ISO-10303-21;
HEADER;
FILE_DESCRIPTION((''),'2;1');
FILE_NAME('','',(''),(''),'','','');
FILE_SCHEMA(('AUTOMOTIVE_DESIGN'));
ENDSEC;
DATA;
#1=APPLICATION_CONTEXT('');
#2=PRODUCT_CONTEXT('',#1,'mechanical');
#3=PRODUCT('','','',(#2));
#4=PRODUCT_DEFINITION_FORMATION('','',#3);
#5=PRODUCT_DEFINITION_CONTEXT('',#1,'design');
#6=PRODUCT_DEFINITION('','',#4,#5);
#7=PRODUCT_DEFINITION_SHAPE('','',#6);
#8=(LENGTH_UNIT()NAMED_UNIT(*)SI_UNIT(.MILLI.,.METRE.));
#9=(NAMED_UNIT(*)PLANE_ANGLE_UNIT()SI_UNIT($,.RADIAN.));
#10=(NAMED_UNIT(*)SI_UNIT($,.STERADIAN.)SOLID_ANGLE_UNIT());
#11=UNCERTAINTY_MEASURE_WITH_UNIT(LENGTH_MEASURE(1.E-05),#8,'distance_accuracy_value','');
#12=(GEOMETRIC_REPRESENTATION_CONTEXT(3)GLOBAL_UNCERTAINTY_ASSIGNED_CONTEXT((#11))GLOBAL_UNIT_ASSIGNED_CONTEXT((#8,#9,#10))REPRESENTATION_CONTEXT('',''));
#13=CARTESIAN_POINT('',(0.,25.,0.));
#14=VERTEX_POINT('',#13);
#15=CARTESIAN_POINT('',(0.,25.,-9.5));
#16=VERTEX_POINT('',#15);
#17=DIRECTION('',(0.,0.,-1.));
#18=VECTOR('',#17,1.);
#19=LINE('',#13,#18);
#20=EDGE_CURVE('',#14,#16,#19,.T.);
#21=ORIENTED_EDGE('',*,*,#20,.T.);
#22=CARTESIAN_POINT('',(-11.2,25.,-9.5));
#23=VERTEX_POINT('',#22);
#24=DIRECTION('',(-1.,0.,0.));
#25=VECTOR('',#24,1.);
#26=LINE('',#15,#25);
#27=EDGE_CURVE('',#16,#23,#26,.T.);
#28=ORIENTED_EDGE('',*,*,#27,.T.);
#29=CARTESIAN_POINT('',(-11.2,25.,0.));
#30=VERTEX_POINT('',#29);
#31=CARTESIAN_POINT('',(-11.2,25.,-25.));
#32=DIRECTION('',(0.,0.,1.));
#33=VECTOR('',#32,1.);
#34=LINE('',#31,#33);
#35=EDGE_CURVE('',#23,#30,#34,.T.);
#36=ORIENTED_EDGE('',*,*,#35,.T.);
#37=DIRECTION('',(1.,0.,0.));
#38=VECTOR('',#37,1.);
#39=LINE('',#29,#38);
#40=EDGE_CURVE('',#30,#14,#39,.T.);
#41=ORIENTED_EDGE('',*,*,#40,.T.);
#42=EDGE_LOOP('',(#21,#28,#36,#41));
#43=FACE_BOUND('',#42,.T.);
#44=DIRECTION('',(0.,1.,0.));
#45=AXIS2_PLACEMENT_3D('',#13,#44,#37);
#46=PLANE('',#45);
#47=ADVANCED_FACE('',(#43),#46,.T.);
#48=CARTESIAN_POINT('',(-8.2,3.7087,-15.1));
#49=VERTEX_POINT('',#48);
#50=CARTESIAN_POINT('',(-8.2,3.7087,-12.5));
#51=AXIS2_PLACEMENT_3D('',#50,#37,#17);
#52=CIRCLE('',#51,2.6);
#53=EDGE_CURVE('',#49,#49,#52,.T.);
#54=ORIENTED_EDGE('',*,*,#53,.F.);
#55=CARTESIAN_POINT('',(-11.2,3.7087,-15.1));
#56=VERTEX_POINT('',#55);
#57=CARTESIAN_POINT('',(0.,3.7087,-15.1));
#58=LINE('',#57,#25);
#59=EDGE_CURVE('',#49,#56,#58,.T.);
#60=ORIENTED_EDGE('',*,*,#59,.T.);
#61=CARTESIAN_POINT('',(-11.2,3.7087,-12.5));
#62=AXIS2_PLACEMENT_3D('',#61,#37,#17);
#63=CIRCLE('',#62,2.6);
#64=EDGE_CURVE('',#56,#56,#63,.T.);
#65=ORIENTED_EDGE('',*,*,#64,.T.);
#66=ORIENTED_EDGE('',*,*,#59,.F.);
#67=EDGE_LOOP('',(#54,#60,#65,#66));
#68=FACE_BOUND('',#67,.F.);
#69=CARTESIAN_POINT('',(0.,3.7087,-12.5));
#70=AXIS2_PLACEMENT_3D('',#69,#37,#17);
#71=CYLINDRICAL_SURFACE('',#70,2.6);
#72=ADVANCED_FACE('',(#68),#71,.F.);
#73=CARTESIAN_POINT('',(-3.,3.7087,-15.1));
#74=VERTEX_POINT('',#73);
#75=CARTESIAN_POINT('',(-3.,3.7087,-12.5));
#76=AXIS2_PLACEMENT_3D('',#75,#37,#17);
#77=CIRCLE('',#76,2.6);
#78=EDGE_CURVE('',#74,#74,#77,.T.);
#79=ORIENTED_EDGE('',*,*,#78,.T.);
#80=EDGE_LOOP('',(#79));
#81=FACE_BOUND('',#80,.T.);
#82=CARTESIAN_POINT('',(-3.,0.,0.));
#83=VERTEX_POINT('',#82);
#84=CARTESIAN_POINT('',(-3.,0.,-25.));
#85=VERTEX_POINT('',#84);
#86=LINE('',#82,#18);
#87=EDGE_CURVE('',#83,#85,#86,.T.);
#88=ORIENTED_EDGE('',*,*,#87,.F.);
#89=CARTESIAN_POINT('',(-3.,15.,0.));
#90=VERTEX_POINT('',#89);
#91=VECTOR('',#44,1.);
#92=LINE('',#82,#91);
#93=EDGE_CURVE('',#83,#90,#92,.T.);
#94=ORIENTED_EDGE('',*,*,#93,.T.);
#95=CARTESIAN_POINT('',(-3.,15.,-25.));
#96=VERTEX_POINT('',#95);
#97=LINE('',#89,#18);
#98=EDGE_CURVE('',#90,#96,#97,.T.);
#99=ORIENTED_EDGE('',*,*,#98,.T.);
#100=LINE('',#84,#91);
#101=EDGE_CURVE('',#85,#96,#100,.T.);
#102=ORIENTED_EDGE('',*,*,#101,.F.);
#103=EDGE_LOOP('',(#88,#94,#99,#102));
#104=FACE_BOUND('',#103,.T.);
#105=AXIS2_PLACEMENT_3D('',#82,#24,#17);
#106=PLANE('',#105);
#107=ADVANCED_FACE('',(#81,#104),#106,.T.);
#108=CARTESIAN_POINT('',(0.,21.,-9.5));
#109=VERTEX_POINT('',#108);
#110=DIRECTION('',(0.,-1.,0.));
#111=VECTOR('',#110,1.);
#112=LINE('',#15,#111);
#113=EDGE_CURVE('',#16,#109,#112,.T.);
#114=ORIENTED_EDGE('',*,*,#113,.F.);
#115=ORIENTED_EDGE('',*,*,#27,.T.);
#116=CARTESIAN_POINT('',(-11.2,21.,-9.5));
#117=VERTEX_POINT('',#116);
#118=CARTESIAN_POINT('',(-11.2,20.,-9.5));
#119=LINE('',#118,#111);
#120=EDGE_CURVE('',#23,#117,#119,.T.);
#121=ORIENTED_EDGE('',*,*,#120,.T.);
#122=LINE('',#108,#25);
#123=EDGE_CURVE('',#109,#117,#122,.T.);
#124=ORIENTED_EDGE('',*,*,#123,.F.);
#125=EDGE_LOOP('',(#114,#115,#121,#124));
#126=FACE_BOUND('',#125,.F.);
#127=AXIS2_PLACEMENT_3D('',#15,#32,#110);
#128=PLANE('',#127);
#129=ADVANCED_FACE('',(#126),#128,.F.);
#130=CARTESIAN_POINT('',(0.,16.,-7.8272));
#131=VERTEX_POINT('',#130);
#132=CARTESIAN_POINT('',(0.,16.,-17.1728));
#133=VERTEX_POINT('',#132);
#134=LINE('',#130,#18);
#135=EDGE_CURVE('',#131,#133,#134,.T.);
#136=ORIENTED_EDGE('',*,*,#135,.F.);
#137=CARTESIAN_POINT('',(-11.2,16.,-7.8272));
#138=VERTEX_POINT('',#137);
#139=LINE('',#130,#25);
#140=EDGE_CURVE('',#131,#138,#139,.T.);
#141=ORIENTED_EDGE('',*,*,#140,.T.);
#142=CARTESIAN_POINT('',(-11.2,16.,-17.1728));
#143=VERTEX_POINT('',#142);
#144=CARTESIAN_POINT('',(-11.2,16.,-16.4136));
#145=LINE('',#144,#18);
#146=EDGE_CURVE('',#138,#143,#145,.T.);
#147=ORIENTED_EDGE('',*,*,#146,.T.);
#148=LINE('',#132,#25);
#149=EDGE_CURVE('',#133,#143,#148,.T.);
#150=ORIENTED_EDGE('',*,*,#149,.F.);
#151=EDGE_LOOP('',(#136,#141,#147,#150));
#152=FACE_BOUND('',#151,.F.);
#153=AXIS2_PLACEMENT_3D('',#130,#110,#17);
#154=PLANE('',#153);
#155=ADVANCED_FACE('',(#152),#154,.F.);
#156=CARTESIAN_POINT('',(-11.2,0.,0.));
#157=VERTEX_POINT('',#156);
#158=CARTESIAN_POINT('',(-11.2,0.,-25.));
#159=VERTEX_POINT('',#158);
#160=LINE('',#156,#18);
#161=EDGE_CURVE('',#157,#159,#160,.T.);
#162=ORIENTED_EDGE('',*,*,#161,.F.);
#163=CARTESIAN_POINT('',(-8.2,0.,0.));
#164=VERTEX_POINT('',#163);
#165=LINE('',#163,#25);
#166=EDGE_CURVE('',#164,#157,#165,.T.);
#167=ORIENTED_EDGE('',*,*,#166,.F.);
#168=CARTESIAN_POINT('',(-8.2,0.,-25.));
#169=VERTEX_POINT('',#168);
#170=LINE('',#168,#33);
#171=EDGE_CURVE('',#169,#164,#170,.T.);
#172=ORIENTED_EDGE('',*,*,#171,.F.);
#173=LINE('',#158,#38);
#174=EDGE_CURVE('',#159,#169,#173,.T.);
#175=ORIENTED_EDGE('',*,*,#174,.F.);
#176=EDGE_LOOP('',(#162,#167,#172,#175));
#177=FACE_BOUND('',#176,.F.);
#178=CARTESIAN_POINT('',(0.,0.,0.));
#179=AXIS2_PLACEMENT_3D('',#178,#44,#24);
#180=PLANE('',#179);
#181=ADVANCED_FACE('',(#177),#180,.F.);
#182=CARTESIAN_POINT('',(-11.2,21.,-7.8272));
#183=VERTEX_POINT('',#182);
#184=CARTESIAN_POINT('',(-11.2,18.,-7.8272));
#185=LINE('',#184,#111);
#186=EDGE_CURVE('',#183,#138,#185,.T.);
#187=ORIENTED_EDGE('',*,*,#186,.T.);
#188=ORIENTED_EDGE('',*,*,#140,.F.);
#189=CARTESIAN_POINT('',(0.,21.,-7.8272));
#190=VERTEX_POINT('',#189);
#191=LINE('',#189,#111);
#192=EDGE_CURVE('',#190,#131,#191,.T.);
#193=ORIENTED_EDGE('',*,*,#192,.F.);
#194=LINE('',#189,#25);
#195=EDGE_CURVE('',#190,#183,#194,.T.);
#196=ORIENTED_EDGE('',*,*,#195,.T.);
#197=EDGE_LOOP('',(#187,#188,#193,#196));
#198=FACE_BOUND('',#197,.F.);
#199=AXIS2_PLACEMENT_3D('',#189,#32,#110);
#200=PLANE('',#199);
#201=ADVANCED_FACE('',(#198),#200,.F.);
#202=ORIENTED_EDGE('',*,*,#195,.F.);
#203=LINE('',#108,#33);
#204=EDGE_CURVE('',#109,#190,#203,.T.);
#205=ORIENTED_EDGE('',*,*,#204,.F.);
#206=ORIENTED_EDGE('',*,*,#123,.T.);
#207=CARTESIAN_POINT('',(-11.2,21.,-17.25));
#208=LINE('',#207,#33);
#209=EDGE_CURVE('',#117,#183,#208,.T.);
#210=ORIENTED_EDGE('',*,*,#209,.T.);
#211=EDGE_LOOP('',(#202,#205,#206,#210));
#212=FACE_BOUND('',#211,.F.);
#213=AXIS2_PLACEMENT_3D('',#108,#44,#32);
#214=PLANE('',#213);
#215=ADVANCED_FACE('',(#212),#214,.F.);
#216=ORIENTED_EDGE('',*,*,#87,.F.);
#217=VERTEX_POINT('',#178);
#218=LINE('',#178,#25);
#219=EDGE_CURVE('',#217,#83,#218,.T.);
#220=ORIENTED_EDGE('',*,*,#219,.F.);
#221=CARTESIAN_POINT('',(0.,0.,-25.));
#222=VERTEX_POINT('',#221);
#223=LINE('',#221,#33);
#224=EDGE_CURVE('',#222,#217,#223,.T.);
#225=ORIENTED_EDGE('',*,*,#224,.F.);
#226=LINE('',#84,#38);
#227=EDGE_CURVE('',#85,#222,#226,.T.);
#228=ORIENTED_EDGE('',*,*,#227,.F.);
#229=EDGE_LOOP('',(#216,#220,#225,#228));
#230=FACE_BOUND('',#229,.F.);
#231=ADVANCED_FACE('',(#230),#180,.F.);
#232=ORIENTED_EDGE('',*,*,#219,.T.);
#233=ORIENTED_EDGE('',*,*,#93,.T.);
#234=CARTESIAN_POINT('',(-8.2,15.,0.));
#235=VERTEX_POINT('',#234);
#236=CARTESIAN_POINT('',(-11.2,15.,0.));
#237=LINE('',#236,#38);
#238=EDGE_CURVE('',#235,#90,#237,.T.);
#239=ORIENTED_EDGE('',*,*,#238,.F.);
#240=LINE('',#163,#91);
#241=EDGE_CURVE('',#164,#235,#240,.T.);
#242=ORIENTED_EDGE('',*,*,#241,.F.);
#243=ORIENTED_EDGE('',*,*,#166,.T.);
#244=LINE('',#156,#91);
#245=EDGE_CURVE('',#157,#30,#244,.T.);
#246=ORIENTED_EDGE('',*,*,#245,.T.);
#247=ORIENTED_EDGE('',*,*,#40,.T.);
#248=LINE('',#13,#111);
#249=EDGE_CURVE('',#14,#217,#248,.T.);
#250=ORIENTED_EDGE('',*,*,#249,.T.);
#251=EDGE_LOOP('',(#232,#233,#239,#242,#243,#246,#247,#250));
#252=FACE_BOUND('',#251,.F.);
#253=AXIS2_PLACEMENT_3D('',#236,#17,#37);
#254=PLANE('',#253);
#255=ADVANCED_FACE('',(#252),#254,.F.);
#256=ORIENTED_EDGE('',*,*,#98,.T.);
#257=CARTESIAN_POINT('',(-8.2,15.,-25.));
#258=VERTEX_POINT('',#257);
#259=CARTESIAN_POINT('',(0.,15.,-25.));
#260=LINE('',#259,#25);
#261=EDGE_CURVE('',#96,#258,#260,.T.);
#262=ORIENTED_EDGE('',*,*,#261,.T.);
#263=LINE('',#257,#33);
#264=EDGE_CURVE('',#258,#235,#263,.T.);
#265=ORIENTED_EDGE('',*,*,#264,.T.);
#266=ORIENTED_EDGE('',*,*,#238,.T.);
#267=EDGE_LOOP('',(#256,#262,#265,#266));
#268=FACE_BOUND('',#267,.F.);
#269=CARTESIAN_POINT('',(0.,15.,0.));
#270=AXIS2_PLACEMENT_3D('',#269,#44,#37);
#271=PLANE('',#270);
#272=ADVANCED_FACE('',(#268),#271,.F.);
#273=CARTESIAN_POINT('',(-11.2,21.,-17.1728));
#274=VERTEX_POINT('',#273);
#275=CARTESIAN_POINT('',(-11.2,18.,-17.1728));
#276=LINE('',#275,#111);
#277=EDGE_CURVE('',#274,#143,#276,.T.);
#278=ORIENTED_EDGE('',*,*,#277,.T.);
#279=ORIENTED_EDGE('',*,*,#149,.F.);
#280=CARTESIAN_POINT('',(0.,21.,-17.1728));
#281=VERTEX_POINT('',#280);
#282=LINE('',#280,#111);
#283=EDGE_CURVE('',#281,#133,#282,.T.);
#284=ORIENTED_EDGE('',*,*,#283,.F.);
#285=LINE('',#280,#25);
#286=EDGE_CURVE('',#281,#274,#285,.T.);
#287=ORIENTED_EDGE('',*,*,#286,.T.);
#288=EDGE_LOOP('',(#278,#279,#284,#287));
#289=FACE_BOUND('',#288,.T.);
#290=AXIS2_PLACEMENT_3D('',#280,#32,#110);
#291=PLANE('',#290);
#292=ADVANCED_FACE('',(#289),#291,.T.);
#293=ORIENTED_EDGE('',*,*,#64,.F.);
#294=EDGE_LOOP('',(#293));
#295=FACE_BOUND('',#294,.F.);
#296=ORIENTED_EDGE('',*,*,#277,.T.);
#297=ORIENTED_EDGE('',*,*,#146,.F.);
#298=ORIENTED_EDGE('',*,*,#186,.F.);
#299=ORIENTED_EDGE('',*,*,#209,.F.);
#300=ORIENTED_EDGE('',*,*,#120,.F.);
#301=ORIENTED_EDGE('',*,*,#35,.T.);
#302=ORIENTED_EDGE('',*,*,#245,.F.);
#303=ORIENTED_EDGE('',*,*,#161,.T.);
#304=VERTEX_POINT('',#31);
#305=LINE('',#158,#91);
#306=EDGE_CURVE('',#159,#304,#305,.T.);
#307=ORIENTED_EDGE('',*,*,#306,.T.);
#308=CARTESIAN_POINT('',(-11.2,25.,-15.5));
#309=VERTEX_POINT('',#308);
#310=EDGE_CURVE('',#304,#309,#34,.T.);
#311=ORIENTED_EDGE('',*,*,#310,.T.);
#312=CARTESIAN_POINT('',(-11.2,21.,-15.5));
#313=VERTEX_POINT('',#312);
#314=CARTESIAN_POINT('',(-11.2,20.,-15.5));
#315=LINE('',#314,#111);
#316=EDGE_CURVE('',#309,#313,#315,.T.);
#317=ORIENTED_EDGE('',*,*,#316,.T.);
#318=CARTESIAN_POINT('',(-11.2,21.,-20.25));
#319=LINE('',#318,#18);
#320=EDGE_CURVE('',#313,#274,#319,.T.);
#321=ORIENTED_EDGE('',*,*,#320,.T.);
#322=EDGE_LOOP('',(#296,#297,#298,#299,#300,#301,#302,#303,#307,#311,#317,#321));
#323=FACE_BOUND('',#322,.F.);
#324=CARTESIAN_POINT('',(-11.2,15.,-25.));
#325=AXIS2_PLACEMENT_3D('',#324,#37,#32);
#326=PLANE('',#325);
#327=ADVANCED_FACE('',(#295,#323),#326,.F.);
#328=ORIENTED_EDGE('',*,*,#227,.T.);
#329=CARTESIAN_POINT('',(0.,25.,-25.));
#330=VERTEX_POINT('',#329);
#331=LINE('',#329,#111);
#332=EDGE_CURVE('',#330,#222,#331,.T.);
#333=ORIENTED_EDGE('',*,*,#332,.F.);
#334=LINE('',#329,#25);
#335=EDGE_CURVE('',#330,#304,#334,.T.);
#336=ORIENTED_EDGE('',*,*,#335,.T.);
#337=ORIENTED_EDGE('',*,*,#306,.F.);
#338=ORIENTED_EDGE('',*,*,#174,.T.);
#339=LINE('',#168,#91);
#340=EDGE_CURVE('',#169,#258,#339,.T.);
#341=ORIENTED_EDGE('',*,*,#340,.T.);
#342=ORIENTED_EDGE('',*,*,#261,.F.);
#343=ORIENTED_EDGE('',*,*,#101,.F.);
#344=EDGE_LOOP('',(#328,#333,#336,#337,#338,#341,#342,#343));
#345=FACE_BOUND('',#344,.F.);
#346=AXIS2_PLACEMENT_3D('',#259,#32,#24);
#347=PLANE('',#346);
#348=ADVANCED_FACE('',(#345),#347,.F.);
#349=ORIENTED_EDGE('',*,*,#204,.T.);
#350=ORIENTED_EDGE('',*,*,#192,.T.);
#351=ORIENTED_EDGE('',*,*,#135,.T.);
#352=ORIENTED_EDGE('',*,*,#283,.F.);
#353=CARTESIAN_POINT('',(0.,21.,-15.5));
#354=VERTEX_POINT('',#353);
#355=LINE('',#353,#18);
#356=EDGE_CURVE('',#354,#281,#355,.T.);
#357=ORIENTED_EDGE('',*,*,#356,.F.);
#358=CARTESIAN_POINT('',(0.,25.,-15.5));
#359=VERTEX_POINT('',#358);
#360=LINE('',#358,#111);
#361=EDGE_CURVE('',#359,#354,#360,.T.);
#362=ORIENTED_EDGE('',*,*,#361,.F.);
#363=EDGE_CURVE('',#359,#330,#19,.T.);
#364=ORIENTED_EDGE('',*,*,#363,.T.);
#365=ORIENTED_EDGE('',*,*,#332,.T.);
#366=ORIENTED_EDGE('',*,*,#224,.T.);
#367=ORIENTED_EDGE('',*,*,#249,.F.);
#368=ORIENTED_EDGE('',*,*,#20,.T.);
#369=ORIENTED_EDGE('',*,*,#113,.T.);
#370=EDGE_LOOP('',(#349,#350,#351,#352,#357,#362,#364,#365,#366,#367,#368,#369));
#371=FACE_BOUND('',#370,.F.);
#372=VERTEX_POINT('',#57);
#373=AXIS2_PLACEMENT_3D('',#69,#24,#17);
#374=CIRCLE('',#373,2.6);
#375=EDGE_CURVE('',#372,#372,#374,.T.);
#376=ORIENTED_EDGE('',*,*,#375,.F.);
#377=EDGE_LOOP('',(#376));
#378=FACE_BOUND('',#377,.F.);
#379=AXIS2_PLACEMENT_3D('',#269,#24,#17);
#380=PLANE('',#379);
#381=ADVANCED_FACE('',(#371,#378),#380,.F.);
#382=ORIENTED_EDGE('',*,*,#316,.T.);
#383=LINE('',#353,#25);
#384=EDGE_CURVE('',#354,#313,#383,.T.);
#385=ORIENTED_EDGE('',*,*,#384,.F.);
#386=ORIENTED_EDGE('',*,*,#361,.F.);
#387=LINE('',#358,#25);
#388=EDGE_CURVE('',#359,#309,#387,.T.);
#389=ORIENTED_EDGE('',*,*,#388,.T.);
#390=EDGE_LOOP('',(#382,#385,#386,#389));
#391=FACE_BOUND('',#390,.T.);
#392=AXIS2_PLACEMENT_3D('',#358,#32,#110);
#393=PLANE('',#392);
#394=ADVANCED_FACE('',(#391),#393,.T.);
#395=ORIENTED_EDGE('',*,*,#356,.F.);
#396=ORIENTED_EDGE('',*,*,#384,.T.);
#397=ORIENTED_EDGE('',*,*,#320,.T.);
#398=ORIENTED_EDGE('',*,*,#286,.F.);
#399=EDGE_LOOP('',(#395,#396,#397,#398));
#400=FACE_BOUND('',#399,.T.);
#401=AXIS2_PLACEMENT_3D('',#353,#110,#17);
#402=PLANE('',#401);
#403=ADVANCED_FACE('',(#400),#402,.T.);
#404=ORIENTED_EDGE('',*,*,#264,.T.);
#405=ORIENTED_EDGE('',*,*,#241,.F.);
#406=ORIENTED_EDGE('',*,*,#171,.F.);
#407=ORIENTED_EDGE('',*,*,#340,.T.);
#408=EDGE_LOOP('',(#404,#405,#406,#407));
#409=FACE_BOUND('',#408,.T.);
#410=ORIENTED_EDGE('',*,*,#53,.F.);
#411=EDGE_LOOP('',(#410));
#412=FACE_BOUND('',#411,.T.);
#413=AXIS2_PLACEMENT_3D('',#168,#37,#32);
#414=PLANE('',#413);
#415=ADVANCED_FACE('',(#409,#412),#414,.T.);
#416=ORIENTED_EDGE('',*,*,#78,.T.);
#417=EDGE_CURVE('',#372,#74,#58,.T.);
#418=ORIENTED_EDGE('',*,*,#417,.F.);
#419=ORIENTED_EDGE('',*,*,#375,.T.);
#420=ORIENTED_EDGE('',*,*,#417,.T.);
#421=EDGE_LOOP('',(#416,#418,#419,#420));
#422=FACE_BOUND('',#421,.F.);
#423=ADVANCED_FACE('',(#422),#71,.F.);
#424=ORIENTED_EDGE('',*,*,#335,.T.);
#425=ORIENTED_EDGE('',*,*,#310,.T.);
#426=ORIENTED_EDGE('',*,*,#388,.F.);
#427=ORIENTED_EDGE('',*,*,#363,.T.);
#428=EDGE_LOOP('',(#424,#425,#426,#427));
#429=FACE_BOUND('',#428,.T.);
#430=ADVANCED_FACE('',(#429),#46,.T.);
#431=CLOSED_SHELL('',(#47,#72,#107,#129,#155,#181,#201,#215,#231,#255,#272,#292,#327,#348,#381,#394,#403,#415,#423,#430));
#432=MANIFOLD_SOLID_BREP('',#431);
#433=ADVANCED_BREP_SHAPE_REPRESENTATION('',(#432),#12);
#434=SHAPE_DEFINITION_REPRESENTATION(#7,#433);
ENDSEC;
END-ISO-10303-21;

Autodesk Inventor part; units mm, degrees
ref_plane "YZ Plane" through (0, 0, 0) normal (1, 0, 0) x (0, 1, 0)
ref_plane "XZ Plane" through (0, 0, 0) normal (0, 1, 0) x (-1, 0, 0)
ref_plane "XY Plane" through (0, 0, 0) normal (0, 0, 1) x (1, 0, 0)
sketch "Sketch1" plane through (0, 0, 0) normal (0, 1, 0) x (-1, 0, 0)
  line L0 (0, 0) -> (3, 0)
  line L1 (3, 0) -> (3, -25)
  line L2 (3, -25) -> (0, -25)
  line L3 (0, -25) -> (0, 0)
  line L4 (8.2, 0) -> (11.2, 0)
  line L5 (11.2, 0) -> (11.2, -25)
  line L6 (11.2, -25) -> (8.2, -25)
  line L7 (8.2, -25) -> (8.2, 0)
  point P0 (0, -12.5)
  point P1 (8.2, -12.5)
  dimension "d0" = 25
  dimension "d1" = 3
  dimension "d2" = 25
  dimension "d3" = 3
  dimension "d4" = 5.2
extrude "Extrusion1" add sketch "Sketch1" along normal blind 15
sketch "Sketch2" plane through (0, 15, 0) normal (0, 1, 0) x (1, 0, 0)
  line L0 (-11.2, 25) -> (-11.2, 0) projected
  line L1 (-11.2, 0) -> (0, 0)
  line L2 (0, 0) -> (0, 25)
  line L3 (0, 25) -> (-11.2, 25)
  line L4 (-11.2, 25) -> (-11.2, 0)
  point P0 (0, 0)
extrude "Extrusion2" add sketch "Sketch2" along normal blind 10
sketch "Sketch3" plane through (0, 0, 0) normal (1, 0, 0) x (0, 0, -1)
  line L0 (0, 25) -> (25, 25) projected
  line L1 (12.5, 25) -> (12.5, 0.2306)
  line L2 (9.5, 25) -> (9.5, 21)
  line L3 (9.5, 21) -> (7.8272, 21)
  line L4 (7.8272, 21) -> (7.8272, 16)
  line L5 (7.8272, 16) -> (12.5, 16)
  line L6 (15.5, 25) -> (15.5, 21)
  line L7 (15.5, 21) -> (17.1728, 21)
  line L8 (17.1728, 21) -> (17.1728, 16)
  line L9 (17.1728, 16) -> (12.5, 16)
  line L10 (9.5, 25) -> (15.5, 25)
  circle A0 centre (12.5, 3.7087) radius 2.6
  point P0 (0, 0)
  point P1 (8.6636, 21)
  dimension "d9" = 6
  dimension "d10" = 5
  dimension "d11" = 8
  dimension "d14" = 5.2
extrude "Extrusion3" cut sketch "Sketch3" against normal blind 20
properties part number "RollYAxisEnd" material "Thermoplastic Resin"
